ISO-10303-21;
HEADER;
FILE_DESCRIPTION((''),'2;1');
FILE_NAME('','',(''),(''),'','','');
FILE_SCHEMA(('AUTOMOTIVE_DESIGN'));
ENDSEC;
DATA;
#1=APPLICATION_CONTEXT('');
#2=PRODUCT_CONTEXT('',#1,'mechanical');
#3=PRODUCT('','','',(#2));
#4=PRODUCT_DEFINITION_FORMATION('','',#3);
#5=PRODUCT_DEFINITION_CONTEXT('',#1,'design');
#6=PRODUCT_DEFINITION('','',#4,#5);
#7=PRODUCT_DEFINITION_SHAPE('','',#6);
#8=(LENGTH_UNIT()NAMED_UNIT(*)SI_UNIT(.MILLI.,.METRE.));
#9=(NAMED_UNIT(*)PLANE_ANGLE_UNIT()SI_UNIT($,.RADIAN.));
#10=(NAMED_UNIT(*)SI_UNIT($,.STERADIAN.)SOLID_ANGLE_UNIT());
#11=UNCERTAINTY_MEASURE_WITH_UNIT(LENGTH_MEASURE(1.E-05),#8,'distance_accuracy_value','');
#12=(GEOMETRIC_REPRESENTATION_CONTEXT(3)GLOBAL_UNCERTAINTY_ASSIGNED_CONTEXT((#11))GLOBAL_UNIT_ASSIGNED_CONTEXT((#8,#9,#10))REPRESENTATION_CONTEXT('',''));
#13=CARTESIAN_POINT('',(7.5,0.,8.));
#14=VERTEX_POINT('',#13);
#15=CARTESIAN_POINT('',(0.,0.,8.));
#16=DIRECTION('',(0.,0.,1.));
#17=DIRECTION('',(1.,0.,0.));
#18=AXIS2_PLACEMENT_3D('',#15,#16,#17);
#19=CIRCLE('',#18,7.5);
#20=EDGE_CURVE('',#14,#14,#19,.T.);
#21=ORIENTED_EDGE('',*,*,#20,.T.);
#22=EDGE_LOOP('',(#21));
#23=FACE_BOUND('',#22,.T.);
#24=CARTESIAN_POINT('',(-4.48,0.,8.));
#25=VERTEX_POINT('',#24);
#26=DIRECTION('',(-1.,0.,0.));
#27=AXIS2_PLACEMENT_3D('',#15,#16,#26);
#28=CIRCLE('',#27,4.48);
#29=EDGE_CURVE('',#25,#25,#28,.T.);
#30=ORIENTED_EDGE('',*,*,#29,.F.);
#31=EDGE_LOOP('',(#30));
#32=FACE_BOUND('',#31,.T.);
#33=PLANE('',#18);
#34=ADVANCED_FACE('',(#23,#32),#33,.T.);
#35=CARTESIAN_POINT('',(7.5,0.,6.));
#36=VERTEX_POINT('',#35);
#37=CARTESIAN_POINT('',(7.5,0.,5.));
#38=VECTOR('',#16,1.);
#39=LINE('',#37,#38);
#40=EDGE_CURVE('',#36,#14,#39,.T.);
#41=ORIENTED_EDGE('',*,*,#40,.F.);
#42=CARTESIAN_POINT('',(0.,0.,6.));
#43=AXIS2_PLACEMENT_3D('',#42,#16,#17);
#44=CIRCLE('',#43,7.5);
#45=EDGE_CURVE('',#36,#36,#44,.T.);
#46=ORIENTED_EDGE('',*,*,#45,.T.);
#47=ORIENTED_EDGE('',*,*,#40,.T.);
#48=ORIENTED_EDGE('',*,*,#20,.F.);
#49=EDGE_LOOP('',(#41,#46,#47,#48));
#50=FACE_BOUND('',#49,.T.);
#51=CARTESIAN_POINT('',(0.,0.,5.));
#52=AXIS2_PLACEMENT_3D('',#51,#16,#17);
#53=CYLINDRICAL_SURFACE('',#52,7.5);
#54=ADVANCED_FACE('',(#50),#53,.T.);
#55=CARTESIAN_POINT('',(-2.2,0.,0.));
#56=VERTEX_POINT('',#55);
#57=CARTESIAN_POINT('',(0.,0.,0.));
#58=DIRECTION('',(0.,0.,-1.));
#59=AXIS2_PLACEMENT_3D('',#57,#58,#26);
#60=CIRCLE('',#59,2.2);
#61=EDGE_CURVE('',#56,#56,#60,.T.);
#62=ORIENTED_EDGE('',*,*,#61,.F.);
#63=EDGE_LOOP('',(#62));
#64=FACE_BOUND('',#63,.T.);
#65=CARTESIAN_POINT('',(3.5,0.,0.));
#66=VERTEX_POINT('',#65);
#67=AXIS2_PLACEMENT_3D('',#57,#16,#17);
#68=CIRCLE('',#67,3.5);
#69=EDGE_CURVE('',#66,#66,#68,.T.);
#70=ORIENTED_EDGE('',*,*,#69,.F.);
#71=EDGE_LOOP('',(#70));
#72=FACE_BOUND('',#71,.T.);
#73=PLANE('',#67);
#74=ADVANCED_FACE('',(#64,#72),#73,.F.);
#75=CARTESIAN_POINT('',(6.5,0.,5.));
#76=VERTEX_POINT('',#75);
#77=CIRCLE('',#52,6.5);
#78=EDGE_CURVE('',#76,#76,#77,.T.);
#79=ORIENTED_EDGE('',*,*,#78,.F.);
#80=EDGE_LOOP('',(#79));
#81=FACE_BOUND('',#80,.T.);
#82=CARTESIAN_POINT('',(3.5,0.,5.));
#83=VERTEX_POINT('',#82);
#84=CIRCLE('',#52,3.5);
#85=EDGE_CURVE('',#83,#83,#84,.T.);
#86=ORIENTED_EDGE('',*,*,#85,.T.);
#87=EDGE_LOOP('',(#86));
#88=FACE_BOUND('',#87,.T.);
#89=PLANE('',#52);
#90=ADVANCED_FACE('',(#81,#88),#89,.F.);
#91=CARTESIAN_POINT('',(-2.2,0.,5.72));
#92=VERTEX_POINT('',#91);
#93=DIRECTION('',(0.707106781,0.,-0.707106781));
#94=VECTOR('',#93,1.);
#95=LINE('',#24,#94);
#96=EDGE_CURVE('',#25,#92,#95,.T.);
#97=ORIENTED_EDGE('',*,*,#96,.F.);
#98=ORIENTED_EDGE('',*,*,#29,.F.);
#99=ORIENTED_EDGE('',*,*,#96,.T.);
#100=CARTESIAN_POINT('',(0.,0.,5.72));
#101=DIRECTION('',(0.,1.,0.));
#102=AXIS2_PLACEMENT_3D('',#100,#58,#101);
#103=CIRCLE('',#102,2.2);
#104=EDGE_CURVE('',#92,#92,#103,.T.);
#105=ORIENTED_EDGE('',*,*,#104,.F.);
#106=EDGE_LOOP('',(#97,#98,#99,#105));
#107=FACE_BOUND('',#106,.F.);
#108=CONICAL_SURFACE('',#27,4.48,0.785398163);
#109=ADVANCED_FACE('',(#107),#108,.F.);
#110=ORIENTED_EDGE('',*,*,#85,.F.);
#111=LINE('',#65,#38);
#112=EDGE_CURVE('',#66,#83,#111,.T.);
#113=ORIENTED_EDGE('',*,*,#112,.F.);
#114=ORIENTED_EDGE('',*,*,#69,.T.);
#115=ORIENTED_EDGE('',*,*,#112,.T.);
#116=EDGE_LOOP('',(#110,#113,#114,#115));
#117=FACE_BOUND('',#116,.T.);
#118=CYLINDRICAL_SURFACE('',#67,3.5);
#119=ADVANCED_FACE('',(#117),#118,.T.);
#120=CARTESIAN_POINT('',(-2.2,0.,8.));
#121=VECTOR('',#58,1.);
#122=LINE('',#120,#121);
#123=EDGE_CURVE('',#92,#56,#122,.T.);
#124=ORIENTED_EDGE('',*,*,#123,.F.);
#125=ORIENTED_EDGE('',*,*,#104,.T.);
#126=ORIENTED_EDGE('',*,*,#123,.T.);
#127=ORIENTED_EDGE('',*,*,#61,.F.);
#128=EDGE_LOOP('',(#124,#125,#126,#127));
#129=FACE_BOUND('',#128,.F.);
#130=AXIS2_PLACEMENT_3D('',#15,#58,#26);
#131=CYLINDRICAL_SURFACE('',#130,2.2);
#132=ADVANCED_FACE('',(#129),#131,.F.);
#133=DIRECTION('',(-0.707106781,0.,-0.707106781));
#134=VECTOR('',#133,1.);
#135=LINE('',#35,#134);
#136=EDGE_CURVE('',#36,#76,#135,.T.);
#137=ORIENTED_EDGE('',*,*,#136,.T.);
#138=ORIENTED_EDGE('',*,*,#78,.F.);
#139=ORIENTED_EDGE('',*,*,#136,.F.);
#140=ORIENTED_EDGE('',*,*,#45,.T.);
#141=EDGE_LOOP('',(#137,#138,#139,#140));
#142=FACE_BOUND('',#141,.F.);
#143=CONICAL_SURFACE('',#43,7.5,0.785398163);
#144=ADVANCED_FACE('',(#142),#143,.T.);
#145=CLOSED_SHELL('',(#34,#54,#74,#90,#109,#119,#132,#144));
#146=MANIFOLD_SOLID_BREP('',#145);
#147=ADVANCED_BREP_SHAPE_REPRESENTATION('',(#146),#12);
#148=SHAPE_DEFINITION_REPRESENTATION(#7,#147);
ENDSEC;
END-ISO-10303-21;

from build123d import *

# Parameters (mm, degrees)
F3_D           = 4.4
F3_CSINK_D     = 8.96
F3_CSINK_ANGLE = 90
F4_SIZE        = 1


with BuildPart() as f1:
    # F0 (on Front) → F1 (revolve)
    with BuildSketch(Plane.XZ):
        Polygon((0, 8), (0, 0), (3.5, 0), (3.5, 5), (7.5, 5), (7.5, 8), align=None)
    revolve(axis=Axis((0, 0, 4), (0, 0, 1)))

    # F3 (through all)
    with Locations(Plane.XY.offset(8)):
        with Locations((0, 0)):
            CounterSinkHole(F3_D / 2, F3_CSINK_D / 2, counter_sink_angle=F3_CSINK_ANGLE)

    # F4
    f4_edges = [f1.edges().sort_by_distance(p)[0] for p in [
        (-7.5, 0, 5),
    ]]
    chamfer(f4_edges, length=F4_SIZE)


solid = f1.part
